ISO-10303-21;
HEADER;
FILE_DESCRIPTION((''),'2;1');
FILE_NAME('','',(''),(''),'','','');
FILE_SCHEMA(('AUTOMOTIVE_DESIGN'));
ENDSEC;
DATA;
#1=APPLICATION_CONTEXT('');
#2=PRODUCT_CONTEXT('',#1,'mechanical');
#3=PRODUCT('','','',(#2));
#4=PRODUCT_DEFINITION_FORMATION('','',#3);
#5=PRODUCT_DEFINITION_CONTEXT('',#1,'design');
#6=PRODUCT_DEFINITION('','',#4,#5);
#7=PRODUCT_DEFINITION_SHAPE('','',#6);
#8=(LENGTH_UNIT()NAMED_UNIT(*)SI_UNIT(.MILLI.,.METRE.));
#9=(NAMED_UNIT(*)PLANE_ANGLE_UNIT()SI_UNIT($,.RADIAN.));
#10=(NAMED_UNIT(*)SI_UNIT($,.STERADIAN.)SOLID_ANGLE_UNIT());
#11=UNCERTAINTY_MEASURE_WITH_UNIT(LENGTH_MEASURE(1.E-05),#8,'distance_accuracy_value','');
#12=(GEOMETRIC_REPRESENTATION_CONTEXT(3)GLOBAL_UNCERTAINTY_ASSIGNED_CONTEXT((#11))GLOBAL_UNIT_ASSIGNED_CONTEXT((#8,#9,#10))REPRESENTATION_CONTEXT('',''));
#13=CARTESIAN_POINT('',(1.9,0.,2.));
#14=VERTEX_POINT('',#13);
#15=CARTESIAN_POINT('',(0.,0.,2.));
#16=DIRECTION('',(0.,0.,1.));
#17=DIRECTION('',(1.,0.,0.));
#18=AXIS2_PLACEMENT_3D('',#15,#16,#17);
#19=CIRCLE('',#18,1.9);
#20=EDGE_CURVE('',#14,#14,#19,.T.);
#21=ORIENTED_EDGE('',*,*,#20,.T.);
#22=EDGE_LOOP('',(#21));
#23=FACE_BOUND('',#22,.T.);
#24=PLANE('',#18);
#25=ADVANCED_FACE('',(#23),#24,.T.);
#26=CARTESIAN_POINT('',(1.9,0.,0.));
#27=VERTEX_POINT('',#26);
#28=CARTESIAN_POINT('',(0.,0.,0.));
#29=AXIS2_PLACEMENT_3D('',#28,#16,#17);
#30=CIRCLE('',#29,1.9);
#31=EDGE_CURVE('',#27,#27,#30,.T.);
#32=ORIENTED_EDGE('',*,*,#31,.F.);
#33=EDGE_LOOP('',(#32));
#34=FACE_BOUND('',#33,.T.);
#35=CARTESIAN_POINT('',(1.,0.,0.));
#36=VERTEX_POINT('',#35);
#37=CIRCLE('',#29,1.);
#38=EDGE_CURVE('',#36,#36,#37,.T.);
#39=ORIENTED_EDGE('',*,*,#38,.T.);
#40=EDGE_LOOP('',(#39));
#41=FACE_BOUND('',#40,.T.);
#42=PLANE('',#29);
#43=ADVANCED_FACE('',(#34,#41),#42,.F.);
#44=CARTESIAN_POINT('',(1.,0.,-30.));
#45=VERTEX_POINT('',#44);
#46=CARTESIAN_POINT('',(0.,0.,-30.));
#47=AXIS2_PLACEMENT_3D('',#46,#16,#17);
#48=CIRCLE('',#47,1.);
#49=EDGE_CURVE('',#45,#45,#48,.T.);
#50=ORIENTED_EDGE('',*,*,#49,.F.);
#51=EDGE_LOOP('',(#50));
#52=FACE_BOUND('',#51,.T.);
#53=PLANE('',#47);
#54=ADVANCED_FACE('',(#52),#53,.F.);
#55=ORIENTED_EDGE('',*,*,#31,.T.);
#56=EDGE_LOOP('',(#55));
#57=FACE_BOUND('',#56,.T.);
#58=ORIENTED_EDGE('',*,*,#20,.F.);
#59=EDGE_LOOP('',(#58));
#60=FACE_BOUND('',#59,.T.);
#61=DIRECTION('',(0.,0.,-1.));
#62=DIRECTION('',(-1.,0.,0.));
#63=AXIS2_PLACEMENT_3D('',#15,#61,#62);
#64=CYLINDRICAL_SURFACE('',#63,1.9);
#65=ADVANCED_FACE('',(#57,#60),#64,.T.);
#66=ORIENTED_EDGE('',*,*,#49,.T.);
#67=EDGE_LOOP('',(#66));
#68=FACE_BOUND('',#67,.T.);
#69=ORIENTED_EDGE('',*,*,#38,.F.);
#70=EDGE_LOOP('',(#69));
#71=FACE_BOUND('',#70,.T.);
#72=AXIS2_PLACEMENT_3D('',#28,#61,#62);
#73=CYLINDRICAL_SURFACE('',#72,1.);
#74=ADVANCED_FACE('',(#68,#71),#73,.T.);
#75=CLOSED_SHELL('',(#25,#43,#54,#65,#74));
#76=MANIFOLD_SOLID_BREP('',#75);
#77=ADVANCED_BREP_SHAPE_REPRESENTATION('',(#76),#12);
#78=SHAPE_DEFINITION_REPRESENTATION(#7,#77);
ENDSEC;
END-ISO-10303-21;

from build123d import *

# Parameters (mm, degrees)
SHANK_NOMINAL_THREAD_ENVELOPE_START     = -30
SHANK_NOMINAL_THREAD_ENVELOPE_PROFILE_R = 1
SHANK_NOMINAL_THREAD_ENVELOPE_DEPTH     = 30
SOCKET_HEAD_ENVELOPE_PROFILE_R          = 1.9
SOCKET_HEAD_ENVELOPE_DEPTH              = 2


with BuildPart() as part:
    # Shank_nominal_thread_envelope_profile → Shank_nominal_thread_envelope (new body)
    with BuildSketch(Plane.XY.offset(SHANK_NOMINAL_THREAD_ENVELOPE_START)):
        Circle(SHANK_NOMINAL_THREAD_ENVELOPE_PROFILE_R)
    extrude(amount=SHANK_NOMINAL_THREAD_ENVELOPE_DEPTH)

    # Socket_head_envelope_profile → Socket_head_envelope (add)
    with BuildSketch(Plane.XY):
        Circle(SOCKET_HEAD_ENVELOPE_PROFILE_R)
    extrude(amount=SOCKET_HEAD_ENVELOPE_DEPTH)


solid = part.part
